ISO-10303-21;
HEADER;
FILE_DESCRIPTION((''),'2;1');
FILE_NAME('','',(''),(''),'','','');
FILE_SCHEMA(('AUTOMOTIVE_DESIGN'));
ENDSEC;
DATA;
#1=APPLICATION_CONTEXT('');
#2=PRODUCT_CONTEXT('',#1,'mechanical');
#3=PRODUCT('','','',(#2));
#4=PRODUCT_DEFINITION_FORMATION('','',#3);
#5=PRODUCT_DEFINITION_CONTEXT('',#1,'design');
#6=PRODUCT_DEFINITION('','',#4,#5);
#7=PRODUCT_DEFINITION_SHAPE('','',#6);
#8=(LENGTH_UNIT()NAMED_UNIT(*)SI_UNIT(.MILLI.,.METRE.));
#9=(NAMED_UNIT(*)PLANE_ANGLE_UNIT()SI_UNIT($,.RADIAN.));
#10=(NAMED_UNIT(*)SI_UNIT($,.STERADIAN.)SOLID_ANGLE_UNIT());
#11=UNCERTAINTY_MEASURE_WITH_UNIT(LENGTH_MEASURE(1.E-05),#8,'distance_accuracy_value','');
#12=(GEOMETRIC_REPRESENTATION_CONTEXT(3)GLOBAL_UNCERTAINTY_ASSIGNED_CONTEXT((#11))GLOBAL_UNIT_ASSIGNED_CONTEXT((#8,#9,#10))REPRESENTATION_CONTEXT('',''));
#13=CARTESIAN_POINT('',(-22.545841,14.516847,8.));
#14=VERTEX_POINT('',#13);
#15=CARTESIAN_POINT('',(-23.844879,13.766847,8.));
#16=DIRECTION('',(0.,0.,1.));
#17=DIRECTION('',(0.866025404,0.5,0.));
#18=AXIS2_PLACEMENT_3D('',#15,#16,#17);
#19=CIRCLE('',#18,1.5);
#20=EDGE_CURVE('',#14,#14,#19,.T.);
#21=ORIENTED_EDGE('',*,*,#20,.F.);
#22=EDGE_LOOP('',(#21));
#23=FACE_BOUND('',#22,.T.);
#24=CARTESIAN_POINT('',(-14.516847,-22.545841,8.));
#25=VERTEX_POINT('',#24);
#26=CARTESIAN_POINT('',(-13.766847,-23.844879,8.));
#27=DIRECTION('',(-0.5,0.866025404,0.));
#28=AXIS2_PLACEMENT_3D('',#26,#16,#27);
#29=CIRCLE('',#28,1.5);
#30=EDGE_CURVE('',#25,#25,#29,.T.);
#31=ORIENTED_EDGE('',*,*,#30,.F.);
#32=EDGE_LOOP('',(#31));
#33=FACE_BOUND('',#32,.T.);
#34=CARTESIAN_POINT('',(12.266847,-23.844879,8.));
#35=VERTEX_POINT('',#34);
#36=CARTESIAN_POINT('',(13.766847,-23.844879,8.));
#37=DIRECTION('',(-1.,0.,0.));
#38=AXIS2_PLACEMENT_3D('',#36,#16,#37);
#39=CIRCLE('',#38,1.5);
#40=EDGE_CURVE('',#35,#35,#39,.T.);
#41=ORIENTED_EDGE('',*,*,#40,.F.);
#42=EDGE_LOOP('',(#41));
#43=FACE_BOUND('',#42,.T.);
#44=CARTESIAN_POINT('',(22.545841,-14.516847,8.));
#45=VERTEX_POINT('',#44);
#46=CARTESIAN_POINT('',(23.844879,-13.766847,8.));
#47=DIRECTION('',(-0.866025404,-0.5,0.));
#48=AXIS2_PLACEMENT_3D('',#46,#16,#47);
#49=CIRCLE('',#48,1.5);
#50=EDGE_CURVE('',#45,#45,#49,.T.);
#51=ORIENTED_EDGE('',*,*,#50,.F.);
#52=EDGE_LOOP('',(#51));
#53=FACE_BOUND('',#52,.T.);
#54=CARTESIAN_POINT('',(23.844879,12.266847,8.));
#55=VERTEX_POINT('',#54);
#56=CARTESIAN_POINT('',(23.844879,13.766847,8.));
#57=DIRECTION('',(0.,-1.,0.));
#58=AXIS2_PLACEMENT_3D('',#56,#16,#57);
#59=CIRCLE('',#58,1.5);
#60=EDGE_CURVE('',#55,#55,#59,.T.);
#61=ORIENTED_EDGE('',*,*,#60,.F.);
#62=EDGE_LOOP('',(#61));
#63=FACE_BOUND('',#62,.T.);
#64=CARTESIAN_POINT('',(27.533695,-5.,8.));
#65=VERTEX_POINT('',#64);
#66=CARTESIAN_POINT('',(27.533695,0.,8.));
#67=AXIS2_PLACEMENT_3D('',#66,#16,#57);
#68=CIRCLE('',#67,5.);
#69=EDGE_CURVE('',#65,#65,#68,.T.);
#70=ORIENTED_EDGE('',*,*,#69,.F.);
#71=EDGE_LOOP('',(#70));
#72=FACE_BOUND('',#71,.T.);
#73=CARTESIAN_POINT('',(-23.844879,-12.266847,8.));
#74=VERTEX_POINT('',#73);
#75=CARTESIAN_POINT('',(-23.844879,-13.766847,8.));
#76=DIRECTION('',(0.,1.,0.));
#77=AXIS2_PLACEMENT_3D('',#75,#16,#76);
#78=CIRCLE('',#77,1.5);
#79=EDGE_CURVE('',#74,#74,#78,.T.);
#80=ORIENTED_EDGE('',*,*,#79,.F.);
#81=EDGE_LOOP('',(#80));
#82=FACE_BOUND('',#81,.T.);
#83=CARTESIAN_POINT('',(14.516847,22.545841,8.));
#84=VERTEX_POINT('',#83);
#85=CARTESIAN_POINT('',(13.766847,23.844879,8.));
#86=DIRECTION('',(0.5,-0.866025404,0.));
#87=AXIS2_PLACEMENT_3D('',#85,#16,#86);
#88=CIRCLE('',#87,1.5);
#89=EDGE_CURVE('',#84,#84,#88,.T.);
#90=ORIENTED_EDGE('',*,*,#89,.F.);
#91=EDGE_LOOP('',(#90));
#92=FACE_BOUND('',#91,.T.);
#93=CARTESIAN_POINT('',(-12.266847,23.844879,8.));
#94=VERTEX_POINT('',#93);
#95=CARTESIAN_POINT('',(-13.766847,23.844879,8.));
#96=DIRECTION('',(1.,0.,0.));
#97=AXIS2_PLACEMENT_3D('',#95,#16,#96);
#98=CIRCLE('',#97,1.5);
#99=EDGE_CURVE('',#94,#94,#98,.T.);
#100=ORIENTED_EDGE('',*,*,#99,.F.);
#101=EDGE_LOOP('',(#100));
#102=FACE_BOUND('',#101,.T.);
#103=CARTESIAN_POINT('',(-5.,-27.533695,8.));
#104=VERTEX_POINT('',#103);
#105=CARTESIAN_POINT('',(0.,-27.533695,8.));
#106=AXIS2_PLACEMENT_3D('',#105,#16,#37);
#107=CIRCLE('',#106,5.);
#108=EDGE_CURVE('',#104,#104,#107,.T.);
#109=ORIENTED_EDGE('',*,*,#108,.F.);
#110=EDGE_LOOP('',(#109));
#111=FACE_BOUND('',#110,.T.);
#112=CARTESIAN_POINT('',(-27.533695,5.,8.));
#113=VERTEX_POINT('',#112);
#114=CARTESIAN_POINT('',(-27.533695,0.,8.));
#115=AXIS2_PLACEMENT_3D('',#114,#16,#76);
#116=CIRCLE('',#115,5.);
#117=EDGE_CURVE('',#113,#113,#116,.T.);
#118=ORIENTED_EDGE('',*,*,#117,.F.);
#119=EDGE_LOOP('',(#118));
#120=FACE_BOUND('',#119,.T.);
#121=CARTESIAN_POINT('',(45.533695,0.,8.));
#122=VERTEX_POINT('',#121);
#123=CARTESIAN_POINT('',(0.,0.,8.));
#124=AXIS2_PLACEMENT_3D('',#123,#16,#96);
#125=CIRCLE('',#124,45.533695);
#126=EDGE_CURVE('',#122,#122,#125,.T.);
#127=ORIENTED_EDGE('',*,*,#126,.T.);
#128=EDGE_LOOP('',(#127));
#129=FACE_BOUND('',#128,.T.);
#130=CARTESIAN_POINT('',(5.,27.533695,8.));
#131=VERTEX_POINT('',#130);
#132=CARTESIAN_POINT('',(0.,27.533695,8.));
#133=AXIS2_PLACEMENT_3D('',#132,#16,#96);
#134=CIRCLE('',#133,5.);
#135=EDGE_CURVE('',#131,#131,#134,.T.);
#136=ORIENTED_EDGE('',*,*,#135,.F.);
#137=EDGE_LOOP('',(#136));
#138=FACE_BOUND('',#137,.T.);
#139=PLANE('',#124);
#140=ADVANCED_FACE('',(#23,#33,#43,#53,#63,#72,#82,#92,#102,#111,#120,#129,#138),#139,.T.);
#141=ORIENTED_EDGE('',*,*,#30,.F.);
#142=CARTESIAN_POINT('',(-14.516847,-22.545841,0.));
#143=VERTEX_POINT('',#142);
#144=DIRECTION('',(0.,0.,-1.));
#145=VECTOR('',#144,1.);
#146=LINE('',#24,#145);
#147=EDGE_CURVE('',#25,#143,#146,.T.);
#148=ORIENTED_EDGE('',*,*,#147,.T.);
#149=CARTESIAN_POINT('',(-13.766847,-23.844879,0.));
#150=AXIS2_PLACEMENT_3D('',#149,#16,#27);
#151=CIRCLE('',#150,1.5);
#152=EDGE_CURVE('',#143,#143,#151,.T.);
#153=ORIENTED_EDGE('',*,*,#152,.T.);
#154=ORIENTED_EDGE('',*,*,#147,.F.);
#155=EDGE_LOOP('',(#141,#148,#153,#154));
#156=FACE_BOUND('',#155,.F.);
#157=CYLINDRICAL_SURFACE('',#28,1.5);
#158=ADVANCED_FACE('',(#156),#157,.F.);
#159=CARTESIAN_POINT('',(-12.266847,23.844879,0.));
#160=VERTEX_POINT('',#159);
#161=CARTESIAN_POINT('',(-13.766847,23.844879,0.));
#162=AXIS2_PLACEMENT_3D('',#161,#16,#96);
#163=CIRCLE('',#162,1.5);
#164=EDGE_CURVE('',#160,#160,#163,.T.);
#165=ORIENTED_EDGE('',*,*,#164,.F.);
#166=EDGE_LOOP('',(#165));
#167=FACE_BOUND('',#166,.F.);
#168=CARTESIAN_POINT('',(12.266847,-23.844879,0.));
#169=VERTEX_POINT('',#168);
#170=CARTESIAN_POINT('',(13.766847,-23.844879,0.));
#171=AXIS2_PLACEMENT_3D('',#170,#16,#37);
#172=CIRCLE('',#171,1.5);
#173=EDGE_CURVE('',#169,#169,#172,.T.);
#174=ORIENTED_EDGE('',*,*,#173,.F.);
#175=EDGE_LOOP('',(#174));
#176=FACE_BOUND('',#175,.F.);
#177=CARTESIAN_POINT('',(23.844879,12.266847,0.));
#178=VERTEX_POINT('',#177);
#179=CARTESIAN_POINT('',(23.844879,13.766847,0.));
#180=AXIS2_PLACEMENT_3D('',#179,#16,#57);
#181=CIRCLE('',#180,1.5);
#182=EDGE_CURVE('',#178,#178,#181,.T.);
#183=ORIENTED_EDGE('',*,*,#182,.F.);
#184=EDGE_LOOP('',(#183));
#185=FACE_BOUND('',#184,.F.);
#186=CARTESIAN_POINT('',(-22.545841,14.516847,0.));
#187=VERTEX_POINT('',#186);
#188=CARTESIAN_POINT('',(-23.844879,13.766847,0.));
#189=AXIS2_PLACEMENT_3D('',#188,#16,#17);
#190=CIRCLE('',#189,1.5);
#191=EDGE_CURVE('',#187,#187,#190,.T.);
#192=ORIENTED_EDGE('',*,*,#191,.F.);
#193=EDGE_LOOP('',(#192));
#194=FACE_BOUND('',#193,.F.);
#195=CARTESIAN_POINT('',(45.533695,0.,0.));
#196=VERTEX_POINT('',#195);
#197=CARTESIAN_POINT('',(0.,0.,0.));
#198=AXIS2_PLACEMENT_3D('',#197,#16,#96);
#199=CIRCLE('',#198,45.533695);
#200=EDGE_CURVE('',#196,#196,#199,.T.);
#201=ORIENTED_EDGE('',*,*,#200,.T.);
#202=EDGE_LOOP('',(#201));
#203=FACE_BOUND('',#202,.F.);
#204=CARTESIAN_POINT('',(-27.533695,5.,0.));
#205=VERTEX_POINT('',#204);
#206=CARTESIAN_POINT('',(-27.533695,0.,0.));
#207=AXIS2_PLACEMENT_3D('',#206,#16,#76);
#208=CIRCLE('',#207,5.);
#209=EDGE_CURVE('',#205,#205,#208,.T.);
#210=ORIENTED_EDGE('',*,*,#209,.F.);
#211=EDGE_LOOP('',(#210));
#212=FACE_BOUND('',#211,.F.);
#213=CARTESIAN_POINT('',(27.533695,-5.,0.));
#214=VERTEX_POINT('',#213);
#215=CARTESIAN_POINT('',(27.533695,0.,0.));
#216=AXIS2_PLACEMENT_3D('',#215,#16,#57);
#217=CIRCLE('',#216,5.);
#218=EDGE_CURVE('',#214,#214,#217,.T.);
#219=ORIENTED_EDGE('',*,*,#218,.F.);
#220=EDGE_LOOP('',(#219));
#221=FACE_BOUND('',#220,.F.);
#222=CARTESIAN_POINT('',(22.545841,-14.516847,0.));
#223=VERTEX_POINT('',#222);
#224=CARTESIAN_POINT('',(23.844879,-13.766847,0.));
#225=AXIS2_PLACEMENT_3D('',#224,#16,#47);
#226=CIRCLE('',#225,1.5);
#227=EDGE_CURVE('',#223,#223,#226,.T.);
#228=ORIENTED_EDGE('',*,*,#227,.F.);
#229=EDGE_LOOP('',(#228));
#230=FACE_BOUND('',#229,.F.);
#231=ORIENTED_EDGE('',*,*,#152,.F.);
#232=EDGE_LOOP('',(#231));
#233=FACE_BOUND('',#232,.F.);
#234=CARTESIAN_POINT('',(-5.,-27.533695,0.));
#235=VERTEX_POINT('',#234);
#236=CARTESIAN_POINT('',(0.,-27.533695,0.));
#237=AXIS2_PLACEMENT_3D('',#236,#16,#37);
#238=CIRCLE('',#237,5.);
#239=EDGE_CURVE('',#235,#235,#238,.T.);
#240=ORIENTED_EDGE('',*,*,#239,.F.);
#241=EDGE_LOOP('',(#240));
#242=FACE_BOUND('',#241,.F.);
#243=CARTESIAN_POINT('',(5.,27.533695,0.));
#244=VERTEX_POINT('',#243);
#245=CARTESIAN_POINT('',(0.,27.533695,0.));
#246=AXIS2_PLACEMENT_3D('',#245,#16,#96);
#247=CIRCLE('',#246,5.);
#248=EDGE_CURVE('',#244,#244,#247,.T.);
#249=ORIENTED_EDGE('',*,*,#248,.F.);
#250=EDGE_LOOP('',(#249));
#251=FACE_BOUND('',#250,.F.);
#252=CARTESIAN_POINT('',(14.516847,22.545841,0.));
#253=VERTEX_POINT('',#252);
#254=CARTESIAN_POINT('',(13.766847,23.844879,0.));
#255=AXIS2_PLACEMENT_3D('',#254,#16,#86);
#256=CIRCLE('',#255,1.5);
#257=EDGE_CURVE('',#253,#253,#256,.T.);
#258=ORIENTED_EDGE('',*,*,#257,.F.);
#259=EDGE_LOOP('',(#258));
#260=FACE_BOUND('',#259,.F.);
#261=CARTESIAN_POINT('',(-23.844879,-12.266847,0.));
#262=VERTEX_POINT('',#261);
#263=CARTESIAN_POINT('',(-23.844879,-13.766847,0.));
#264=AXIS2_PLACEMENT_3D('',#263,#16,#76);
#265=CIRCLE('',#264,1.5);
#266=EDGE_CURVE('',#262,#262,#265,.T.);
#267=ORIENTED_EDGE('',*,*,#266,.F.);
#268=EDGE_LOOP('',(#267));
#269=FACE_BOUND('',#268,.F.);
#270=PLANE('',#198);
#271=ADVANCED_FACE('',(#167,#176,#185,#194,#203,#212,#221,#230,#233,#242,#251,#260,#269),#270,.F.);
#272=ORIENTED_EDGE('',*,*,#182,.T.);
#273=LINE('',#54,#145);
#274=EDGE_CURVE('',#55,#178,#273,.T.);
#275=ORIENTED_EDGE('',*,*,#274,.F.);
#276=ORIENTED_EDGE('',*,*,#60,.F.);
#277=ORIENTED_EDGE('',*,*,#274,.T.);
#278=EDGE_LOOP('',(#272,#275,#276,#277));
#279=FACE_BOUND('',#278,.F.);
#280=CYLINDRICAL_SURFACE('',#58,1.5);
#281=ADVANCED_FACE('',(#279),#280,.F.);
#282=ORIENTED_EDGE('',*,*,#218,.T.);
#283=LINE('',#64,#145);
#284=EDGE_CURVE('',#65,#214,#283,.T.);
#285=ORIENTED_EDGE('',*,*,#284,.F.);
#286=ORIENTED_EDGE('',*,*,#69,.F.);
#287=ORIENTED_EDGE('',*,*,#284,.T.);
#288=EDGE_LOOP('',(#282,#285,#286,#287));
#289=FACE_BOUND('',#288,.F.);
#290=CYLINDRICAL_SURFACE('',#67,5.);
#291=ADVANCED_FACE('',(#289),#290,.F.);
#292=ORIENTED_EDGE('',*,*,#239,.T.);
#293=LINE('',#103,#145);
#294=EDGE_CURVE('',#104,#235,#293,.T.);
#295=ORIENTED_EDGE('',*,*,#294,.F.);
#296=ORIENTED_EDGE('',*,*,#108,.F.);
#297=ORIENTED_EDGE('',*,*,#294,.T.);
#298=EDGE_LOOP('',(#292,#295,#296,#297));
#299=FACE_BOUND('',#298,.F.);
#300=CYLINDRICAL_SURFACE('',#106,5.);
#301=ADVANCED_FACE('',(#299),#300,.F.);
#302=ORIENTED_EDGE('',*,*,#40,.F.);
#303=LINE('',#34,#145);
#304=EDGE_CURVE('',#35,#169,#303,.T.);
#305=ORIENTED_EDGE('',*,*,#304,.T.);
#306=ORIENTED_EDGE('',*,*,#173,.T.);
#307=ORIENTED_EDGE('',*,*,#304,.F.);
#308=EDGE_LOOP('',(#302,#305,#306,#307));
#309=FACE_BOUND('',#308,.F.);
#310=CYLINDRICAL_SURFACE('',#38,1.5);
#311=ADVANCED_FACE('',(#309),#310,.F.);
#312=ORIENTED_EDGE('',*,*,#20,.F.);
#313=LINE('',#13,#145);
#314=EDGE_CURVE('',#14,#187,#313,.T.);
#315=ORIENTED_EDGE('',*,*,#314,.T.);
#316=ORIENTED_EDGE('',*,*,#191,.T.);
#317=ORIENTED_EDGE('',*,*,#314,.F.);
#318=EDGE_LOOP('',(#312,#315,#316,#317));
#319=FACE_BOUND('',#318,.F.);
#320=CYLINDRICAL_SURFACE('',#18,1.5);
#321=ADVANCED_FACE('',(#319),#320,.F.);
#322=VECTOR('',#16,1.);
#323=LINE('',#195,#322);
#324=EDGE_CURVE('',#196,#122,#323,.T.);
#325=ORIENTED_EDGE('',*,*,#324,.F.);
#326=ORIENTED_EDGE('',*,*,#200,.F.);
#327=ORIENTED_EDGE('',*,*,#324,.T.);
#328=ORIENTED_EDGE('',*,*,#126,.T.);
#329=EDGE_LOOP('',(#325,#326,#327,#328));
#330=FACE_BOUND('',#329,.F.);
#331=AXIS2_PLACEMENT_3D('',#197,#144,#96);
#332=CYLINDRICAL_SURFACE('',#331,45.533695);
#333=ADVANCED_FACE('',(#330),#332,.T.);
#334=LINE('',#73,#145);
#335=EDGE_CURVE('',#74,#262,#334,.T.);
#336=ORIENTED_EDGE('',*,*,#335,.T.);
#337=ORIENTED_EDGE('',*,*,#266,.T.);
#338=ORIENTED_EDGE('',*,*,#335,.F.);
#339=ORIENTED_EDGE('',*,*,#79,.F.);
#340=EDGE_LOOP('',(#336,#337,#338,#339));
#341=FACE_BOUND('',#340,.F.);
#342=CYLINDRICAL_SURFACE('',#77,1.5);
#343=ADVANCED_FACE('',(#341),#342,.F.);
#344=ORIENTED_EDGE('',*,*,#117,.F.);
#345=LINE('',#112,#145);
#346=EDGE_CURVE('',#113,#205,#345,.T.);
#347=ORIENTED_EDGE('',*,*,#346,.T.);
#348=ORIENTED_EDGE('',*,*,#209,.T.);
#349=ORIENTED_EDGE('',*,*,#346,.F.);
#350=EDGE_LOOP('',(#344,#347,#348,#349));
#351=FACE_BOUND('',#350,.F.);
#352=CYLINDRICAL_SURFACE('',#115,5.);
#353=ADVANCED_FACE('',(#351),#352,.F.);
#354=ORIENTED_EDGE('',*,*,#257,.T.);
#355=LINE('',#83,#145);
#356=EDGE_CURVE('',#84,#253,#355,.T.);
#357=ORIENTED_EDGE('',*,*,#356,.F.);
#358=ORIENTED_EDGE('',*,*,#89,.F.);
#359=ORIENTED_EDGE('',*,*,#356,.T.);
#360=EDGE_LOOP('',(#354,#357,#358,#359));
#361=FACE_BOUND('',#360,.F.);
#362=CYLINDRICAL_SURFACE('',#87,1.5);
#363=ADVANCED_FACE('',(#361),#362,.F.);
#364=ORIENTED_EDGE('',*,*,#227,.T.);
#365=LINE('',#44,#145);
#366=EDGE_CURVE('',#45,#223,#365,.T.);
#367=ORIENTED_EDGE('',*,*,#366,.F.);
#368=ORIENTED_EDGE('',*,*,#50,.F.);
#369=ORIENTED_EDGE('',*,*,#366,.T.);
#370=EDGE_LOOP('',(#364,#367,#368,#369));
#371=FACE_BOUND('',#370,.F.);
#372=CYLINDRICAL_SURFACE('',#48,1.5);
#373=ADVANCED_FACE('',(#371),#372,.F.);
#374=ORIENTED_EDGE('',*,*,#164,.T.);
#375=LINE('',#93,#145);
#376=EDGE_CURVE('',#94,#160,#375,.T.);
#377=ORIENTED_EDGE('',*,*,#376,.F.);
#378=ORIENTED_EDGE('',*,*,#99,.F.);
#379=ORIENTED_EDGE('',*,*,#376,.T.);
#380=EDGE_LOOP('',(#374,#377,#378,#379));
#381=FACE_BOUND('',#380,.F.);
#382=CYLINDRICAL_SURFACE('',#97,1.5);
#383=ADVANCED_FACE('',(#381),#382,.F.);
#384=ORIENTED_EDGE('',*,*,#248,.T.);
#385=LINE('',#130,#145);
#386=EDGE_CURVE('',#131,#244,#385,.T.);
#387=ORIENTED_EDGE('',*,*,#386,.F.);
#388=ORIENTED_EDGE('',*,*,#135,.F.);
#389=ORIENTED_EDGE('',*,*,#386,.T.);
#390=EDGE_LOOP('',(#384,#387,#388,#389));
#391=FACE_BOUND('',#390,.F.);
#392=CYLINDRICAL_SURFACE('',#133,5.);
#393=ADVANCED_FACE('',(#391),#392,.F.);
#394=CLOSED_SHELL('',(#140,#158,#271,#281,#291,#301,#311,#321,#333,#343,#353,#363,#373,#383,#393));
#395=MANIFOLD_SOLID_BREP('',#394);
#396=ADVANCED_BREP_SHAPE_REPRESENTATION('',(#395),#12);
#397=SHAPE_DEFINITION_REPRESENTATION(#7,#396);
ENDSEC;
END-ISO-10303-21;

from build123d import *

# Parameters (mm, degrees)
SKETCH_R              = 45.533695
PAD_DEPTH             = 8
SKETCH001_R           = 5
POCKET_DEPTH          = 266.074935
POLARPATTERN_COUNT    = 4
SKETCH002_R           = 1.5
POCKET001_DEPTH       = 266.074935
POLARPATTERN001_COUNT = 12


with BuildPart() as part:
    # Sketch → Pad (new body)
    with BuildSketch(Plane.XY):
        Circle(SKETCH_R)
    extrude(amount=PAD_DEPTH)

    # Sketch001 (on Face3 of Pad) → Pocket (cut, through all)
    with BuildSketch(Plane.XY.offset(8)):
        with Locations((0, 27.533695)):
            Circle(SKETCH001_R)
    pocket = extrude(amount=-POCKET_DEPTH, mode=Mode.SUBTRACT)

    # PolarPattern: Pocket ×4 about axis
    polarpattern_axis = Axis((0, 0, 8), (0, 0, 1))
    for i in range(1, POLARPATTERN_COUNT):
        add(pocket.rotate(polarpattern_axis, i * 360 / POLARPATTERN_COUNT), mode=Mode.SUBTRACT)

    # Sketch002 (on Face3 of Pad) → Pocket001 (cut, through all)
    with BuildSketch(Plane.XY.offset(8)):
        with Locations((-13.766847, 23.844879)):
            Circle(SKETCH002_R)
    pocket001 = extrude(amount=-POCKET001_DEPTH, mode=Mode.SUBTRACT)

    # PolarPattern001: Pocket001 ×12 about axis
    polarpattern001_axis = Axis((0, 0, 8), (0, 0, 1))
    for i in range(1, POLARPATTERN001_COUNT):
        add(pocket001.rotate(polarpattern001_axis, i * 360 / POLARPATTERN001_COUNT), mode=Mode.SUBTRACT)


solid = part.part
